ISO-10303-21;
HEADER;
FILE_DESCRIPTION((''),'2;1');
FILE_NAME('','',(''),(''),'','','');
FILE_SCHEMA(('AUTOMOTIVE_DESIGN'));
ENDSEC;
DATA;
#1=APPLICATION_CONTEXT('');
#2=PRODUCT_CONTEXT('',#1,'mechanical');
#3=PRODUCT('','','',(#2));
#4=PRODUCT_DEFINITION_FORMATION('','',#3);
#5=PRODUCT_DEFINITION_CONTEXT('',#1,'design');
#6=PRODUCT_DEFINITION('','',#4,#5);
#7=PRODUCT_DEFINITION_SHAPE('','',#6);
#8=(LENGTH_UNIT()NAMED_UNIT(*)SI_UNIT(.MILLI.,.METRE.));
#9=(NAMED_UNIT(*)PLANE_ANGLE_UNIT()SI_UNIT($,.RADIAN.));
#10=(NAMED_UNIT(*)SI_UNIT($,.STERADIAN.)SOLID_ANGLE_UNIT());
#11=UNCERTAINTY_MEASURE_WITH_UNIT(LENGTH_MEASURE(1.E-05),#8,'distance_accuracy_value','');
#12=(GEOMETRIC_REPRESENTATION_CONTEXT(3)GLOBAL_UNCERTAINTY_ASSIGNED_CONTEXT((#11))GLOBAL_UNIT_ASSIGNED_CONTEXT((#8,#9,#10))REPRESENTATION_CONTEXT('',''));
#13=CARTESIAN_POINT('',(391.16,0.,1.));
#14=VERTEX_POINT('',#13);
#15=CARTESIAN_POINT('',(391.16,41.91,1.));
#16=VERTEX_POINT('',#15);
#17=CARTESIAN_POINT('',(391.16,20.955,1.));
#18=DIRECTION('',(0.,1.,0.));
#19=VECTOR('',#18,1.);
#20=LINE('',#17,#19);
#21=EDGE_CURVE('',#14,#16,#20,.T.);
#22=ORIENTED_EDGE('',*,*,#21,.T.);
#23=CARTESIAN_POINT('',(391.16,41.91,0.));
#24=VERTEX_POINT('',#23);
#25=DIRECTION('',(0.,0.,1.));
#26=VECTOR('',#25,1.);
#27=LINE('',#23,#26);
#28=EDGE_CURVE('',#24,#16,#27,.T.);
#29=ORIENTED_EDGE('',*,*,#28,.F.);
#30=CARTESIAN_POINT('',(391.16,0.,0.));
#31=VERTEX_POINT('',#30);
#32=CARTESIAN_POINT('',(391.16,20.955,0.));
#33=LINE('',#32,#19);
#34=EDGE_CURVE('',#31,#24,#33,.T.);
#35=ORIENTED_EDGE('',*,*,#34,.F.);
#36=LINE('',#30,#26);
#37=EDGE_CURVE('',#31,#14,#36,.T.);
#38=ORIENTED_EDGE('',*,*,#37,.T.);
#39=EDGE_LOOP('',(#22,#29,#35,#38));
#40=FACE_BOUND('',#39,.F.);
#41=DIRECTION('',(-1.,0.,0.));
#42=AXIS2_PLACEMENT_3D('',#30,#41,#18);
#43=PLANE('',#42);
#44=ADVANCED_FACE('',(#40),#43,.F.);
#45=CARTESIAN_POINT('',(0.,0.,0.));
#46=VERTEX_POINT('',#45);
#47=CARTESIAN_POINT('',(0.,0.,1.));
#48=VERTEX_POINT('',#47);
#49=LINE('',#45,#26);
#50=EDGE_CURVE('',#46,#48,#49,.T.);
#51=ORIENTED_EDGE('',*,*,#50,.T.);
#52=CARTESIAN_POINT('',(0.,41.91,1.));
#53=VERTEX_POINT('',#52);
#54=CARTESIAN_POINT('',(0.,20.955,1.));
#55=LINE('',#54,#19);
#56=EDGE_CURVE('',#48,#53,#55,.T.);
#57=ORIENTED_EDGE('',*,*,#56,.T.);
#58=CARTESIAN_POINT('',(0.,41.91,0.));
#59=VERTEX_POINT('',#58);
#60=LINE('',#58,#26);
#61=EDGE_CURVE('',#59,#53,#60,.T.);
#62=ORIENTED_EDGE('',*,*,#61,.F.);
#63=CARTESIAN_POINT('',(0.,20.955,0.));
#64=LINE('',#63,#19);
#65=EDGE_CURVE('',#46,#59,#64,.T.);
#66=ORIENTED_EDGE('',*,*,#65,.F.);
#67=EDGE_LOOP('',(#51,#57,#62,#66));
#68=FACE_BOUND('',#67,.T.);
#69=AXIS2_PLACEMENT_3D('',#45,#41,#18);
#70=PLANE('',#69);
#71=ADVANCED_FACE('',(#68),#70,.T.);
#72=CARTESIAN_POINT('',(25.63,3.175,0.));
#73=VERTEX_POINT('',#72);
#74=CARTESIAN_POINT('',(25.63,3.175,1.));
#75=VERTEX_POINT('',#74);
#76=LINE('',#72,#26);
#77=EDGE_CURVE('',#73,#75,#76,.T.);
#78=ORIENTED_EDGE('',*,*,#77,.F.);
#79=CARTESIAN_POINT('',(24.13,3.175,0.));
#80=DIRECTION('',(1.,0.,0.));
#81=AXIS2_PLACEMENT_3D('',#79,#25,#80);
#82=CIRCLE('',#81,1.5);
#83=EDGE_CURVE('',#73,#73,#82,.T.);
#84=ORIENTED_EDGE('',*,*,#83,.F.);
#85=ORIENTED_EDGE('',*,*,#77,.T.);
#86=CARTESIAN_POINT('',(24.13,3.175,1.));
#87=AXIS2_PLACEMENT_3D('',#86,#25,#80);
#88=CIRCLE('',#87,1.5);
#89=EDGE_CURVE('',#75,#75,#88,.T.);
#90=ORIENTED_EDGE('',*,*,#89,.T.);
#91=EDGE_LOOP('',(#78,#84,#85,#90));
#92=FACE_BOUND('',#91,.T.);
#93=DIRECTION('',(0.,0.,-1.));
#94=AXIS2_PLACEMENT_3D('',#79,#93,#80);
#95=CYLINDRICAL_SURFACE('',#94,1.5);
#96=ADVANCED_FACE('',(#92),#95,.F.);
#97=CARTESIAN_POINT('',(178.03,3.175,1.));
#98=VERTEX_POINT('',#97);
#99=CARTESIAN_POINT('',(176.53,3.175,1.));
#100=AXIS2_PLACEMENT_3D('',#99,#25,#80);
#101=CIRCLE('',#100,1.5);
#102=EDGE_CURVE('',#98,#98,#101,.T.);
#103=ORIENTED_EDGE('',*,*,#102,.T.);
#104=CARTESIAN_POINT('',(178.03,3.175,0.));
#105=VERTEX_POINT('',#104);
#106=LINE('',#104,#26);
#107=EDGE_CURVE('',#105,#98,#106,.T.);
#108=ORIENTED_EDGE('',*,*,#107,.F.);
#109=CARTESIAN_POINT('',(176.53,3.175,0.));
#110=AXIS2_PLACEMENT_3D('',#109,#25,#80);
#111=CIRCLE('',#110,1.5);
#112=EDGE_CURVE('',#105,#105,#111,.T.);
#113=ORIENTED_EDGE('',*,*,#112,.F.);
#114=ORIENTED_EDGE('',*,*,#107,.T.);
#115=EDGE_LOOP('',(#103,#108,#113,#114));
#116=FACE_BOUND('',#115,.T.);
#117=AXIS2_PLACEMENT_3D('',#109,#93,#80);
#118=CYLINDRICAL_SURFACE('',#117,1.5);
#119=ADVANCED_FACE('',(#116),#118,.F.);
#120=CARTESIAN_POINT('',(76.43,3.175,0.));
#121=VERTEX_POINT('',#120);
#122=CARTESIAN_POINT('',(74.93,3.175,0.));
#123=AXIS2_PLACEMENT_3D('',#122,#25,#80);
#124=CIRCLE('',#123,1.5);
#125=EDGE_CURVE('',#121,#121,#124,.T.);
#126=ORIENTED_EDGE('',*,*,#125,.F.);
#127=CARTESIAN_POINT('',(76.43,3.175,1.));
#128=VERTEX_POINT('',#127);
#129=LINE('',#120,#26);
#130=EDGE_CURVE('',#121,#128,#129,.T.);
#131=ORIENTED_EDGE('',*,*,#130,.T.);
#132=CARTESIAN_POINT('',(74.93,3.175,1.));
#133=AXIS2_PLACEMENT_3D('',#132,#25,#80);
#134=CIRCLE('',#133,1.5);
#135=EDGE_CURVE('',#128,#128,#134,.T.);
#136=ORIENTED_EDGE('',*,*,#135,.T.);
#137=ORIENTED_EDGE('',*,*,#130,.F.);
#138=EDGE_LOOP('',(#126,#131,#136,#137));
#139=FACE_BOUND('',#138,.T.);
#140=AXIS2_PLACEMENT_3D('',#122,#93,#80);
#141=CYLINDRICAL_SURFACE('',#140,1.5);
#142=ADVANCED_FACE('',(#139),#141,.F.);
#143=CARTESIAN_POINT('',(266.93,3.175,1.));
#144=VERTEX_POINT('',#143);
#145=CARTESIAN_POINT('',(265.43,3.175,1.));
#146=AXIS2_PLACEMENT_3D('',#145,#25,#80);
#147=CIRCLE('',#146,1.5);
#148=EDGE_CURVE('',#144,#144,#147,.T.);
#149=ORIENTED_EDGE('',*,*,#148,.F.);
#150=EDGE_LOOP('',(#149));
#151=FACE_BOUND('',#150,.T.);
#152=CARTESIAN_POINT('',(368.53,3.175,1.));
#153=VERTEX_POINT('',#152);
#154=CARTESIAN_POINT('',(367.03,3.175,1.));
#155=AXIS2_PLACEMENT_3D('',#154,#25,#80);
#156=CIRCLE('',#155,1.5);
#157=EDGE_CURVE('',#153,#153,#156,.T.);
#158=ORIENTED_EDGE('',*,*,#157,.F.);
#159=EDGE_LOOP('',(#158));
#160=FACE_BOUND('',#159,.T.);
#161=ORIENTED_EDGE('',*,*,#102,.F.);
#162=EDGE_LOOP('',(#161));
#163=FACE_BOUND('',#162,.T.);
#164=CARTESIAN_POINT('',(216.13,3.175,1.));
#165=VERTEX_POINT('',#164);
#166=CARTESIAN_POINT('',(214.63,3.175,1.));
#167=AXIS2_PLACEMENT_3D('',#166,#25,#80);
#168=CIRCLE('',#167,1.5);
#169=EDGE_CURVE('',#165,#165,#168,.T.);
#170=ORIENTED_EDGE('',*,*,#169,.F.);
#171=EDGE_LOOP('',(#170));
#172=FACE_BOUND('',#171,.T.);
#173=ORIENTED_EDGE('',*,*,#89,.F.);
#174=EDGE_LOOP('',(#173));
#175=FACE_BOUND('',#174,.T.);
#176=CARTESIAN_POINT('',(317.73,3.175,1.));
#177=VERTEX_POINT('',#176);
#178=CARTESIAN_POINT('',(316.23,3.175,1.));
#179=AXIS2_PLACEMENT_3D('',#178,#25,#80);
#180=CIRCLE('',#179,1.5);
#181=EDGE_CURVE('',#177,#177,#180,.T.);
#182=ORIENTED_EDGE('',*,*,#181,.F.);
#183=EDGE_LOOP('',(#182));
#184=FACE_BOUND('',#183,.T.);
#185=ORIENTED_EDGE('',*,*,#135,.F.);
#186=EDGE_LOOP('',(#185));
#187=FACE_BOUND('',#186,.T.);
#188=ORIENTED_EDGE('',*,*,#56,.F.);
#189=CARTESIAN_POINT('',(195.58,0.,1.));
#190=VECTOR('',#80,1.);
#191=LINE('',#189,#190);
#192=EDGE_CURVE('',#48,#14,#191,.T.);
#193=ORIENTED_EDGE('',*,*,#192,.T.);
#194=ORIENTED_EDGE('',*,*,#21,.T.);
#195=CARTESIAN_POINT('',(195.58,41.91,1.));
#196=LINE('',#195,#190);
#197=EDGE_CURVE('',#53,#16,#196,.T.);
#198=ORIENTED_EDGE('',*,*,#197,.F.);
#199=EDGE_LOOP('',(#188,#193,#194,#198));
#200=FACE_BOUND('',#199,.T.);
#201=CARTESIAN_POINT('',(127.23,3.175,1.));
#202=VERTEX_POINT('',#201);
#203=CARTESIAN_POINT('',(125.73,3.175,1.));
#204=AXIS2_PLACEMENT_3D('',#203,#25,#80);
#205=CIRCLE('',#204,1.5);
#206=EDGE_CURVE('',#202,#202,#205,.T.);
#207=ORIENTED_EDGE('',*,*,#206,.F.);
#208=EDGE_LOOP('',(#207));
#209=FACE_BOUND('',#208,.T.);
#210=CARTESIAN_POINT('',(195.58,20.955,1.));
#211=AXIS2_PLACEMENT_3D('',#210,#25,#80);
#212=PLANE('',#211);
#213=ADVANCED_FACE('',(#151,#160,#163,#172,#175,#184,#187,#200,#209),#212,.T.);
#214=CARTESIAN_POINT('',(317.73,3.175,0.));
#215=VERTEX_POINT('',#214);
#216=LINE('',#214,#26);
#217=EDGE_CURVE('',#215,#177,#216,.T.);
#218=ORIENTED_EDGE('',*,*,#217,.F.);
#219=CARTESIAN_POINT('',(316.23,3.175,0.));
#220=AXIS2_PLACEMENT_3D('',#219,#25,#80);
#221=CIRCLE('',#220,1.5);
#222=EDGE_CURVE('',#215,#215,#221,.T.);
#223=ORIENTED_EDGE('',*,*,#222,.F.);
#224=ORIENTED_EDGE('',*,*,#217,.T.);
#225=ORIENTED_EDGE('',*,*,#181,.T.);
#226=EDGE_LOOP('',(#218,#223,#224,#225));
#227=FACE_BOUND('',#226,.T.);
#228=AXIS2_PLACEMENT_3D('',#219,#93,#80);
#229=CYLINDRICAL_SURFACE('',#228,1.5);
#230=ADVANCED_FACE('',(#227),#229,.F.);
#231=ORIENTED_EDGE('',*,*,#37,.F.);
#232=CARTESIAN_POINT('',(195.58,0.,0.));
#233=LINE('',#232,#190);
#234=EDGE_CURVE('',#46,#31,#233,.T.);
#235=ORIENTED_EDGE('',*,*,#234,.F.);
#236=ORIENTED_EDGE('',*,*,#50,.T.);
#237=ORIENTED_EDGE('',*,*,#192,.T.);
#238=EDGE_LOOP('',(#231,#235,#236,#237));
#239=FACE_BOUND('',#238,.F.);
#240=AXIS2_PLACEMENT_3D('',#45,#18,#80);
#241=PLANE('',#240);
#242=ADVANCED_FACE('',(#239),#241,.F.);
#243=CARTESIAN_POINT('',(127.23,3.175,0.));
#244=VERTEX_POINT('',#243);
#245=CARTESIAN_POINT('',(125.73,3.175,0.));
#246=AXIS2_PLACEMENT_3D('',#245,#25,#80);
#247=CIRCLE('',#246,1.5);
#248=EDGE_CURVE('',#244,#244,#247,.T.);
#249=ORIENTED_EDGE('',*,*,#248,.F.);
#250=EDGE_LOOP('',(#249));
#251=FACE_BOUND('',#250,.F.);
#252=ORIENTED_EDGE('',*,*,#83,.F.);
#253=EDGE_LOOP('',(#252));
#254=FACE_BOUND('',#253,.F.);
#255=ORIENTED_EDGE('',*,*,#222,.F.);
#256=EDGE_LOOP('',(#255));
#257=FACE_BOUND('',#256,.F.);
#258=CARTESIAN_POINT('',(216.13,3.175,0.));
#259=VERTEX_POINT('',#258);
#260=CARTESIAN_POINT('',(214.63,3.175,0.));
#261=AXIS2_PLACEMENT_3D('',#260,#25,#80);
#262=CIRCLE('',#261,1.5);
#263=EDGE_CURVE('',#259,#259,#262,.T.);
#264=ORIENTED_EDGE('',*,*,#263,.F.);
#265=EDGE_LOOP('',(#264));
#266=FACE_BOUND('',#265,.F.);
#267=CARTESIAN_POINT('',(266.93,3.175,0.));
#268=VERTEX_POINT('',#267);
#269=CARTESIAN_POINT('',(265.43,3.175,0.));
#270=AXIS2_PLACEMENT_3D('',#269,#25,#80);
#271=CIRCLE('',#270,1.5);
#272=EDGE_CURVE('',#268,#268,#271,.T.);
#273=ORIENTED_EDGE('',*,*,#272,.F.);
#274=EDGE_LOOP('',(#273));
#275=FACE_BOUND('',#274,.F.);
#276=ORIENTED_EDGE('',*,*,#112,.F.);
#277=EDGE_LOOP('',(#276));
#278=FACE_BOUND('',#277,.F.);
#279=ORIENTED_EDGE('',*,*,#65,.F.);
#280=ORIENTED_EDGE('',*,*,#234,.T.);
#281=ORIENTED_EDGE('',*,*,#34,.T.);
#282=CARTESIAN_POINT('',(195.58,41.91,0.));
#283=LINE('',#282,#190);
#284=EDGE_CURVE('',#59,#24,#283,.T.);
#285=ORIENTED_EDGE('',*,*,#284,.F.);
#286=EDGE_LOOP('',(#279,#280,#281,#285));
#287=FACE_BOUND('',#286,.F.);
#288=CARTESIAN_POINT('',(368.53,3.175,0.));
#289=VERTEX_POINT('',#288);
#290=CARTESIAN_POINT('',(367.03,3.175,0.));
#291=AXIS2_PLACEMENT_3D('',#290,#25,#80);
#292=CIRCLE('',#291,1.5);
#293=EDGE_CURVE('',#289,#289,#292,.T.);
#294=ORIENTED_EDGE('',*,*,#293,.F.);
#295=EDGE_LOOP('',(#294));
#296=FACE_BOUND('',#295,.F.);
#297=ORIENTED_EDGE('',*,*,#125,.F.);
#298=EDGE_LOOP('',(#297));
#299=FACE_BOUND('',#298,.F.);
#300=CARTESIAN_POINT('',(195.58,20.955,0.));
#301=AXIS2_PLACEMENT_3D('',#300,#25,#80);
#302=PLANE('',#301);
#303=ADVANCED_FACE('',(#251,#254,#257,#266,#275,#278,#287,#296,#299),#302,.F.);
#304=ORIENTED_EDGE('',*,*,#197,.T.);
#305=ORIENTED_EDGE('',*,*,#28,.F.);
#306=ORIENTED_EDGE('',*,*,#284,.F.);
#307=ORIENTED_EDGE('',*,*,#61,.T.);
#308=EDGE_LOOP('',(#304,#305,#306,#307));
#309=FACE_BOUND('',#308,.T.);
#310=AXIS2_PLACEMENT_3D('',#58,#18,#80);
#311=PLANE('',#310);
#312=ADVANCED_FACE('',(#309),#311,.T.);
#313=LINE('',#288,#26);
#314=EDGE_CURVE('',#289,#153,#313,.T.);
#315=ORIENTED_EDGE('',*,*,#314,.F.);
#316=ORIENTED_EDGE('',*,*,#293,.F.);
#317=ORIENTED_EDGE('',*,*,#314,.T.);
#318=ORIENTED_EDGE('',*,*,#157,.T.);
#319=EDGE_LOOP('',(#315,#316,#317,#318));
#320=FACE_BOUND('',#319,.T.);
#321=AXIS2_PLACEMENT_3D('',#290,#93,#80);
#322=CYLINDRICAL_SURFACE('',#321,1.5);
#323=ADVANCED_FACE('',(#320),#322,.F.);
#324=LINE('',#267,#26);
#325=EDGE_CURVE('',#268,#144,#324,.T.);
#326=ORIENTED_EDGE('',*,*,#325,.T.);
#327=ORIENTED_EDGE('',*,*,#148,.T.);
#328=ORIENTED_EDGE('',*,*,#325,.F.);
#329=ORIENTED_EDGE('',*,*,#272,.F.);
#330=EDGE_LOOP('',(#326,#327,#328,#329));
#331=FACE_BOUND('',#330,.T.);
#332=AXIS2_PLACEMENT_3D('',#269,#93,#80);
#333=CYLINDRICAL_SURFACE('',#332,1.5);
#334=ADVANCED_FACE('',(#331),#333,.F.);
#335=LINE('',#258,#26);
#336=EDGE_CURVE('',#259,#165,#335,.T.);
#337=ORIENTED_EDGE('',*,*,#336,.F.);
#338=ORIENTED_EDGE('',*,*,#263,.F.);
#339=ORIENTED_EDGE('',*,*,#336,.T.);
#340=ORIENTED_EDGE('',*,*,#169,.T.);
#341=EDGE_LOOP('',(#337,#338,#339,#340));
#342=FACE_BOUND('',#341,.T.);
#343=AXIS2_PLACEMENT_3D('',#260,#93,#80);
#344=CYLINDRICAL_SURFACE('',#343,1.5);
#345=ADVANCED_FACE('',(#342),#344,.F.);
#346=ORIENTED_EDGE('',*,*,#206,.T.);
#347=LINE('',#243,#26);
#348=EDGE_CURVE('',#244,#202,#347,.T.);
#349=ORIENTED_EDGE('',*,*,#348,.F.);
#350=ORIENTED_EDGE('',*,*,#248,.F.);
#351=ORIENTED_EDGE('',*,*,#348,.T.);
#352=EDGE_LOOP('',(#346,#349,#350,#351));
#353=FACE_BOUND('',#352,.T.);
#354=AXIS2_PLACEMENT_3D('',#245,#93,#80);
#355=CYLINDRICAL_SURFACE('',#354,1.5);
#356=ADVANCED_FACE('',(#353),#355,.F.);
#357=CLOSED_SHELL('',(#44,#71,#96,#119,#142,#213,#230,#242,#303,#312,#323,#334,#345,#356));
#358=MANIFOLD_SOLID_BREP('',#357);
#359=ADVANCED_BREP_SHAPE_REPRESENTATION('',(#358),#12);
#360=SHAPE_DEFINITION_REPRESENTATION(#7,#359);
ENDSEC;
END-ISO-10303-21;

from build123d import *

# Parameters (mm, degrees)
SKETCH_W  = 391.16
SKETCH_H  = 41.91
SKETCH_R  = 1.5
PAD_DEPTH = 1


with BuildPart() as part:
    # Sketch → Pad (new body)
    with BuildSketch(Plane.XY):
        with Locations((195.58, 20.955)):
            Rectangle(SKETCH_W, SKETCH_H)
        with Locations((24.13, 3.175)):
            Circle(SKETCH_R, mode=Mode.SUBTRACT)
        with Locations((74.93, 3.175)):
            Circle(SKETCH_R, mode=Mode.SUBTRACT)
        with Locations((125.73, 3.175)):
            Circle(SKETCH_R, mode=Mode.SUBTRACT)
        with Locations((176.53, 3.175)):
            Circle(SKETCH_R, mode=Mode.SUBTRACT)
        with Locations((214.63, 3.175)):
            Circle(SKETCH_R, mode=Mode.SUBTRACT)
        with Locations((265.43, 3.175)):
            Circle(SKETCH_R, mode=Mode.SUBTRACT)
        with Locations((316.23, 3.175)):
            Circle(SKETCH_R, mode=Mode.SUBTRACT)
        with Locations((367.03, 3.175)):
            Circle(SKETCH_R, mode=Mode.SUBTRACT)
    extrude(amount=PAD_DEPTH)


solid = part.part
